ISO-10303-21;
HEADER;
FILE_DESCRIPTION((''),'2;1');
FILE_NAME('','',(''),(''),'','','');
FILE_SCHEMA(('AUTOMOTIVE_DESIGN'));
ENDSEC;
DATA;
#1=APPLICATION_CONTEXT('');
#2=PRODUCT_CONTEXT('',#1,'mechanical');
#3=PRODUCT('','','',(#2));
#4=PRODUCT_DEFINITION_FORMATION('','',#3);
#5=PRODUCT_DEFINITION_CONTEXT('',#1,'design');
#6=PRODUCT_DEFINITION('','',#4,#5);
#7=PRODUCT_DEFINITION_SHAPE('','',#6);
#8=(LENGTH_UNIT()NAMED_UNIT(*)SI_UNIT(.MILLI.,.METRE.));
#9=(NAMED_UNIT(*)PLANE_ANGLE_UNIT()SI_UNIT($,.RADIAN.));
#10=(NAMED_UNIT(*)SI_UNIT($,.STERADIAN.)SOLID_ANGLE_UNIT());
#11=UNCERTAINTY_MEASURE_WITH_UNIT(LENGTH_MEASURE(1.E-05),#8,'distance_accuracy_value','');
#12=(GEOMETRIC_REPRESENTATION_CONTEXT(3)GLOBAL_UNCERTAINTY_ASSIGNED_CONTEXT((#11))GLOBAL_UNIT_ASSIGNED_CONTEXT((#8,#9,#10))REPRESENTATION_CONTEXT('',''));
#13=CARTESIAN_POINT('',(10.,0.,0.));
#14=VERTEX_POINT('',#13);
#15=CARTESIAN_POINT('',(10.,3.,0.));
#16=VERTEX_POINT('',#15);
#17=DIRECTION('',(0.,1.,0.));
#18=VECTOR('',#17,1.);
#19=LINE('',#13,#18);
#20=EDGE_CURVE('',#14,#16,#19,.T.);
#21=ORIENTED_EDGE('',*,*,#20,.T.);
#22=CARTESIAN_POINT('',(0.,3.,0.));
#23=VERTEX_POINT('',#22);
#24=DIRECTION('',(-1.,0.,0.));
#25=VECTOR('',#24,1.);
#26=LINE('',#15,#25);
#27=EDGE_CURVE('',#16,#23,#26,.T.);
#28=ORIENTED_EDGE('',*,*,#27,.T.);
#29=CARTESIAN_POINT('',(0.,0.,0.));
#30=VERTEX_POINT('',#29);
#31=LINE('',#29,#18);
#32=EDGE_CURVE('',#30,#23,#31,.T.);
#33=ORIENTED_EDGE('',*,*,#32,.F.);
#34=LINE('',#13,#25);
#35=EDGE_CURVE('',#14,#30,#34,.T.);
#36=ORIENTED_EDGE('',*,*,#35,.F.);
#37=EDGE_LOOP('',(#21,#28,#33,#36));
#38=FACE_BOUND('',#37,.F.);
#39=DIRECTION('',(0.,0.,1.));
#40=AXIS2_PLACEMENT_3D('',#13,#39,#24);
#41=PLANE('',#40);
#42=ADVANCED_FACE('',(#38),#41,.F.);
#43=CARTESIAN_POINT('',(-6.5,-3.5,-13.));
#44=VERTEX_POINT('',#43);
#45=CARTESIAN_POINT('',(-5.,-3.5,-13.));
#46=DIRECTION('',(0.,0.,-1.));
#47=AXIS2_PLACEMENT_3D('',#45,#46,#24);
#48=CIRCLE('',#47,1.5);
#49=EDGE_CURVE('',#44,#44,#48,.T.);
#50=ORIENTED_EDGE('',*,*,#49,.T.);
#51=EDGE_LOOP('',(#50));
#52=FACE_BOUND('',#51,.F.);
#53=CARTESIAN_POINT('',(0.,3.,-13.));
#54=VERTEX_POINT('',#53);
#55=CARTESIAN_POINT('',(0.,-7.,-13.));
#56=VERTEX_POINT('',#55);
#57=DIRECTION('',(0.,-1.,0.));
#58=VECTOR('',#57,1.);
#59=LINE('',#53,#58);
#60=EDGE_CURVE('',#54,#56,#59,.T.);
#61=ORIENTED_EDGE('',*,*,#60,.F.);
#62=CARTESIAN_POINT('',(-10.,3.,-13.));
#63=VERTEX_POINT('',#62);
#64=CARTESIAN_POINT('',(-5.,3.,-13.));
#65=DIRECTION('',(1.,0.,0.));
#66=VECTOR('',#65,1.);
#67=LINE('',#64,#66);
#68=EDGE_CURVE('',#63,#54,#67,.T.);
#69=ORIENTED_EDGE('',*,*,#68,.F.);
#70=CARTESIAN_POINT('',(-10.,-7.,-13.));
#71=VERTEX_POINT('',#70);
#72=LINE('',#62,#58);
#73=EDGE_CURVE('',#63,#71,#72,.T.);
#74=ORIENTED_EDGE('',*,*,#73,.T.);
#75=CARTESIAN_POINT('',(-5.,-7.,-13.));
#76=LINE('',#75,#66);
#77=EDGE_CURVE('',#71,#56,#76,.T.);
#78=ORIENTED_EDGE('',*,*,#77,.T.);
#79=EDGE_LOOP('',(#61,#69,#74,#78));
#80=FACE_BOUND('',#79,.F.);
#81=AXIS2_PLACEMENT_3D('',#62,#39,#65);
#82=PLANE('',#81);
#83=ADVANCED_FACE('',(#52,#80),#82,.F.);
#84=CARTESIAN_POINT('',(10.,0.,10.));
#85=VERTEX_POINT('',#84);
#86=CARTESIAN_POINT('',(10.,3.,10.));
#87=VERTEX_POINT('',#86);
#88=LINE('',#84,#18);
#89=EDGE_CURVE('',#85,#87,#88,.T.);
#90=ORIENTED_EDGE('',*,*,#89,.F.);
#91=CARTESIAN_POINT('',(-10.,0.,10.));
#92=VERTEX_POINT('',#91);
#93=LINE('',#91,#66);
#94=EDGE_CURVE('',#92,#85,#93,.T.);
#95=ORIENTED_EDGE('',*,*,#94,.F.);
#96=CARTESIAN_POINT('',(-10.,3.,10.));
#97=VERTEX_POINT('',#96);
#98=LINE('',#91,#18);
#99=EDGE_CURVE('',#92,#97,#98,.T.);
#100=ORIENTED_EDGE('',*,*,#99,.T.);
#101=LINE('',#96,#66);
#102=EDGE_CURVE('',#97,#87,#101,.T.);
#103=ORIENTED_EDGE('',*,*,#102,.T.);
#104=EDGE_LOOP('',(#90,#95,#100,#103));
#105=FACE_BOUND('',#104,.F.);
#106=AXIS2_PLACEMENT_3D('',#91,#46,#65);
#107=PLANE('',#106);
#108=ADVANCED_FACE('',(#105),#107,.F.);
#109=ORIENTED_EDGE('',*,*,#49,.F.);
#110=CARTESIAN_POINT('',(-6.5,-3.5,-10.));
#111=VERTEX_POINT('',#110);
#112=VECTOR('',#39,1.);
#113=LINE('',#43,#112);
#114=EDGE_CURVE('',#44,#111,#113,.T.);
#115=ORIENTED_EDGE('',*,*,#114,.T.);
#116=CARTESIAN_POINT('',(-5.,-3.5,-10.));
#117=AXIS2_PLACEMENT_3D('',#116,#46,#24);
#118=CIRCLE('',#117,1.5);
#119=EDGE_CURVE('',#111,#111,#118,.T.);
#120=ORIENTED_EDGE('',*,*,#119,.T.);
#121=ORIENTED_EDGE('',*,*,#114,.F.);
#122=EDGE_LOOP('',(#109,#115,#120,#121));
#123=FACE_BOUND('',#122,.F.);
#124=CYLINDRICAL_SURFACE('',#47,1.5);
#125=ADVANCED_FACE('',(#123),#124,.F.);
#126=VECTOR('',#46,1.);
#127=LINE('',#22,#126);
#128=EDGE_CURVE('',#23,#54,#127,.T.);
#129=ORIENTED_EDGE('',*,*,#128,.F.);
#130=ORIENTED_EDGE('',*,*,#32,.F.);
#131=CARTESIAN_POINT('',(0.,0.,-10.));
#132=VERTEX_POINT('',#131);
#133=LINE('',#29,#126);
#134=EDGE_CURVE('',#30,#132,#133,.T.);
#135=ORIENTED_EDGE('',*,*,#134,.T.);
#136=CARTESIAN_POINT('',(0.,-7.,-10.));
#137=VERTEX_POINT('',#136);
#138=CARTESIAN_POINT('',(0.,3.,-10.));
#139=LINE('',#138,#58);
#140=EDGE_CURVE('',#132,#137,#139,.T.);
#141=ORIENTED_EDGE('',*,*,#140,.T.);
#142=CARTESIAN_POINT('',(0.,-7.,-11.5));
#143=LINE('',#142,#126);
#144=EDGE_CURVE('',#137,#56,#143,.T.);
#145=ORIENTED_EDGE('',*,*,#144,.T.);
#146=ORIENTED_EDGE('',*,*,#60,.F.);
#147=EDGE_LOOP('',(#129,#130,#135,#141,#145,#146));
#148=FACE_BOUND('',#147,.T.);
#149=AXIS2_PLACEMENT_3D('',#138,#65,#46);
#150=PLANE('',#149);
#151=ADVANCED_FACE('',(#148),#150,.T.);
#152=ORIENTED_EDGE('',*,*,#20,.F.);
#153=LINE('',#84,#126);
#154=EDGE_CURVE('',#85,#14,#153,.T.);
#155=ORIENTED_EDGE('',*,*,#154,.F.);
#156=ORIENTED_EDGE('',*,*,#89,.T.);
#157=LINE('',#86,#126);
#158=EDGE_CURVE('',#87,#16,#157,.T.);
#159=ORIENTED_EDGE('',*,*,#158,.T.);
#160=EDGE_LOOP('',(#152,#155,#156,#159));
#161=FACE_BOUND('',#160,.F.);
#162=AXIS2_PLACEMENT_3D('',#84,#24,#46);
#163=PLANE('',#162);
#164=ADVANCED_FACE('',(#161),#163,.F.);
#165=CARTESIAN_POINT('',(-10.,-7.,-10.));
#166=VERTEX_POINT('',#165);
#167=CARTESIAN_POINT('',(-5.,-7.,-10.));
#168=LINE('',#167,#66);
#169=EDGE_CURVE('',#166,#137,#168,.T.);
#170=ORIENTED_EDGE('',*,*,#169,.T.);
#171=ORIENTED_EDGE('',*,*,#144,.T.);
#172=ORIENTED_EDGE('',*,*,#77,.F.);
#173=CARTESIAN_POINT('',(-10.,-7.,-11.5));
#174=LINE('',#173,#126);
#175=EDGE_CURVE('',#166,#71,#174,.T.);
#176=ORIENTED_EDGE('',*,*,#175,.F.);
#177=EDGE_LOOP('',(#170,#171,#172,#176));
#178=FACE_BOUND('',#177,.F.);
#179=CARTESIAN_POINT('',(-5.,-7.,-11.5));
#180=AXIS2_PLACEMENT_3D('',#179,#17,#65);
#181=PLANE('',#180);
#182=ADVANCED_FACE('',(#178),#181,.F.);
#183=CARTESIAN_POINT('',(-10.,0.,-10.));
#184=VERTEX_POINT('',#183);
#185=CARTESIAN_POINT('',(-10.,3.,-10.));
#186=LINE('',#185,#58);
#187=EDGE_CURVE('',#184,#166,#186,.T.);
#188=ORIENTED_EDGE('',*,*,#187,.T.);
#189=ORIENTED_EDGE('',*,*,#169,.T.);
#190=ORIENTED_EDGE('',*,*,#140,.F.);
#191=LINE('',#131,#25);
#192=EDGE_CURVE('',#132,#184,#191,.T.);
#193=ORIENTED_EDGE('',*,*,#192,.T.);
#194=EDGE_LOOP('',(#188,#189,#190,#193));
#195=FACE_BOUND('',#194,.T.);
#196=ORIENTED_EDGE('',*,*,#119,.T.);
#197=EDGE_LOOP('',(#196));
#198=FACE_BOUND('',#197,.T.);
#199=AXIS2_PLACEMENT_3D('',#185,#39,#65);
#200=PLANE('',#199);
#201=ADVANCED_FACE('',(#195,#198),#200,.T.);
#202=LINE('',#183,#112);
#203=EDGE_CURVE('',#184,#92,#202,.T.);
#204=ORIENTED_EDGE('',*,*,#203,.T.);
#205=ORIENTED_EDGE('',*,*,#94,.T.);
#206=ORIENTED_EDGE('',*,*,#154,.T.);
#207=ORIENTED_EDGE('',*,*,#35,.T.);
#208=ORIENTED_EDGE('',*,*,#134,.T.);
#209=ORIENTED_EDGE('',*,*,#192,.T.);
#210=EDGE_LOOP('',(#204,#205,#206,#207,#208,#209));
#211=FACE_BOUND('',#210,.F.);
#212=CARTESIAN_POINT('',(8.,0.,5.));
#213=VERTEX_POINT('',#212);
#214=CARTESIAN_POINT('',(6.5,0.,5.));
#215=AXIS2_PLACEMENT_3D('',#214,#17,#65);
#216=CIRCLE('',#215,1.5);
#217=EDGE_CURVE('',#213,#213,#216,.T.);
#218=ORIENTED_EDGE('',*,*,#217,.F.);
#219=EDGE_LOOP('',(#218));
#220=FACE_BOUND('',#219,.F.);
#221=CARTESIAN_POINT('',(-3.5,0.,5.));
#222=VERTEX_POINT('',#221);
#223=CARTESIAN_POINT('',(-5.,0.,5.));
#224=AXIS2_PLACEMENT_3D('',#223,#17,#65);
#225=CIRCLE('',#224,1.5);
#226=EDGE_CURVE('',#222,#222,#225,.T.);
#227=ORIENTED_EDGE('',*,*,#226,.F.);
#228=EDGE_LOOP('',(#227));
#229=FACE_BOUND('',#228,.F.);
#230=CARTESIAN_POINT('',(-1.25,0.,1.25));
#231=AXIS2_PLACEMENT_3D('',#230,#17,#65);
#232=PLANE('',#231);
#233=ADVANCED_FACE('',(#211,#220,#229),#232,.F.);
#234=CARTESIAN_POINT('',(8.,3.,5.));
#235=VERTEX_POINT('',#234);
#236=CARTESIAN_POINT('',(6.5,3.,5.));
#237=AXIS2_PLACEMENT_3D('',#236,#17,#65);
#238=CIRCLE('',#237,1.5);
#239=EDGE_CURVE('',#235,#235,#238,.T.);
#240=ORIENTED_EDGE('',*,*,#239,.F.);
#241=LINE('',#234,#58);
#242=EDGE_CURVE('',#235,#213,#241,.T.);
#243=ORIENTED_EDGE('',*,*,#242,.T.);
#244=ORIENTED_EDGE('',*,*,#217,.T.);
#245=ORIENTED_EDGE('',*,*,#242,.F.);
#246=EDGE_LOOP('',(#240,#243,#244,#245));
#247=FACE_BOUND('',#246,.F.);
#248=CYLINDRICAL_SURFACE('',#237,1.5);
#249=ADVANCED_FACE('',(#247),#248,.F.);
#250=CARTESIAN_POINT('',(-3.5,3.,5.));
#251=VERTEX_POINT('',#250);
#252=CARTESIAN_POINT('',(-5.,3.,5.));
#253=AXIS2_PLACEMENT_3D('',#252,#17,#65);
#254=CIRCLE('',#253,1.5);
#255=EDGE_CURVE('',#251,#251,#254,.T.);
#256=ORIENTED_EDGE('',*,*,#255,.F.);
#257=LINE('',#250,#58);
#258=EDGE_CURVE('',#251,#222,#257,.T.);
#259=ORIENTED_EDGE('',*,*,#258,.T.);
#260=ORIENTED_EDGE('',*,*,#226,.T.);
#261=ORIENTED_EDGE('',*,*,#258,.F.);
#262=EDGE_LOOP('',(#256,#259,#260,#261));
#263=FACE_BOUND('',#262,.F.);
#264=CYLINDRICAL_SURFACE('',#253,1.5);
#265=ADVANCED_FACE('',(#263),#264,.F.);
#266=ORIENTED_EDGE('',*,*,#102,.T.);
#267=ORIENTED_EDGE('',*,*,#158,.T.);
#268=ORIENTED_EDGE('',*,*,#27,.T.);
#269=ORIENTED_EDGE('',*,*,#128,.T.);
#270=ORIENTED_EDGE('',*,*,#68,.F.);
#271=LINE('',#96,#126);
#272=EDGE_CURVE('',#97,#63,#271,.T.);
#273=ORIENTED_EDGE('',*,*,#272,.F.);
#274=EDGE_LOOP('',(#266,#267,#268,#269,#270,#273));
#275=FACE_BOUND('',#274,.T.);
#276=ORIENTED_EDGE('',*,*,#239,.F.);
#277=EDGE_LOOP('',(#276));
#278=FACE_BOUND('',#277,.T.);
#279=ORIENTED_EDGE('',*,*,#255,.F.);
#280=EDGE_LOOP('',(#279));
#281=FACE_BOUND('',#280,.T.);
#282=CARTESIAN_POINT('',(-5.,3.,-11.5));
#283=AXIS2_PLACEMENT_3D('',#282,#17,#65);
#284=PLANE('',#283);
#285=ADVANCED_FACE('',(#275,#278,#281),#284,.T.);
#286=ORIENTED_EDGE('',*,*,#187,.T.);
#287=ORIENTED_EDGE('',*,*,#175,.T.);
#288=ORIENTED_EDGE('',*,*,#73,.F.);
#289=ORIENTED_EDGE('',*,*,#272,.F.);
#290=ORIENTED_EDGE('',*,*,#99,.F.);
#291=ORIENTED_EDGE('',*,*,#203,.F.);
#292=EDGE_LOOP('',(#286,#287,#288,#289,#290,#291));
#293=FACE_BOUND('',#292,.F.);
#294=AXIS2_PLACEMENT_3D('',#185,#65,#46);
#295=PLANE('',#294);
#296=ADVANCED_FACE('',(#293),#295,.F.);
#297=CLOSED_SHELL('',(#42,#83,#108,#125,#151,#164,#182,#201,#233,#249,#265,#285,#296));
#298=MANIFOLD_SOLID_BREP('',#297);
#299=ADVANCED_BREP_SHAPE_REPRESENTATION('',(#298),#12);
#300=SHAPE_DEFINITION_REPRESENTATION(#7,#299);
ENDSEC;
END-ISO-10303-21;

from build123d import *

# Parameters (mm, degrees)
BOSS_EXTRUDE1_DEPTH = 3
SKETCH2_W           = 10
SKETCH2_H           = 3
BOSS_EXTRUDE2_DEPTH = 10
CUT_EXTRUDE1_REACH  = 12
SKETCH3_R           = 1.5
CUT_EXTRUDE2_REACH  = 25
SKETCH4_R           = 1.5


with BuildPart() as part:
    # Sketch1 → Boss-Extrude1 (new body)
    with BuildSketch(Plane(origin=(0, 0, 0), x_dir=(1, 0, 0), z_dir=(0, 1, 0))):
        Polygon((0, 0), (0, 10), (-10, 10), (-10, -10), (10, -10), (10, 0), align=None)
    extrude(amount=BOSS_EXTRUDE1_DEPTH)

    # Sketch2 → Boss-Extrude2 (add)
    with BuildSketch(Plane(origin=(0, 3, 0), x_dir=(1, 0, 0), z_dir=(0, 1, 0))):
        with Locations((-5, 11.5)):
            Rectangle(SKETCH2_W, SKETCH2_H)
    extrude(amount=-BOSS_EXTRUDE2_DEPTH)

    # Sketch3 → Cut-Extrude1 (cut, up to next)
    with BuildSketch(Plane(origin=(0, 3, 0), x_dir=(1, 0, 0), z_dir=(0, 1, 0)), mode=Mode.PRIVATE) as cut_extrude1_sk1:
        with Locations((-5, -5)):
            Circle(SKETCH3_R)
    cut_extrude1_tool1 = extrude(cut_extrude1_sk1.sketch, amount=-CUT_EXTRUDE1_REACH, mode=Mode.PRIVATE) & part.part
    add(cut_extrude1_tool1.solids().sort_by_distance((-5, 3, 5))[0], mode=Mode.SUBTRACT)
    # Sketch3 → Cut-Extrude1 (cut, up to next)
    with BuildSketch(Plane(origin=(0, 3, 0), x_dir=(1, 0, 0), z_dir=(0, 1, 0)), mode=Mode.PRIVATE) as cut_extrude1_sk2:
        with Locations((6.5, -5)):
            Circle(SKETCH3_R)
    cut_extrude1_tool2 = extrude(cut_extrude1_sk2.sketch, amount=-CUT_EXTRUDE1_REACH, mode=Mode.PRIVATE) & part.part
    add(cut_extrude1_tool2.solids().sort_by_distance((6.5, 3, 5))[0], mode=Mode.SUBTRACT)

    # Sketch4 → Cut-Extrude2 (cut, up to next)
    with BuildSketch(Plane(origin=(0, 0, -13), x_dir=(-1, 0, 0), z_dir=(0, 0, -1)), mode=Mode.PRIVATE) as cut_extrude2_sk1:
        with Locations((5, -3.5)):
            Circle(SKETCH4_R)
    cut_extrude2_tool1 = extrude(cut_extrude2_sk1.sketch, amount=-CUT_EXTRUDE2_REACH, mode=Mode.PRIVATE) & part.part
    add(cut_extrude2_tool1.solids().sort_by_distance((-5, -3.5, -13))[0], mode=Mode.SUBTRACT)


solid = part.part
